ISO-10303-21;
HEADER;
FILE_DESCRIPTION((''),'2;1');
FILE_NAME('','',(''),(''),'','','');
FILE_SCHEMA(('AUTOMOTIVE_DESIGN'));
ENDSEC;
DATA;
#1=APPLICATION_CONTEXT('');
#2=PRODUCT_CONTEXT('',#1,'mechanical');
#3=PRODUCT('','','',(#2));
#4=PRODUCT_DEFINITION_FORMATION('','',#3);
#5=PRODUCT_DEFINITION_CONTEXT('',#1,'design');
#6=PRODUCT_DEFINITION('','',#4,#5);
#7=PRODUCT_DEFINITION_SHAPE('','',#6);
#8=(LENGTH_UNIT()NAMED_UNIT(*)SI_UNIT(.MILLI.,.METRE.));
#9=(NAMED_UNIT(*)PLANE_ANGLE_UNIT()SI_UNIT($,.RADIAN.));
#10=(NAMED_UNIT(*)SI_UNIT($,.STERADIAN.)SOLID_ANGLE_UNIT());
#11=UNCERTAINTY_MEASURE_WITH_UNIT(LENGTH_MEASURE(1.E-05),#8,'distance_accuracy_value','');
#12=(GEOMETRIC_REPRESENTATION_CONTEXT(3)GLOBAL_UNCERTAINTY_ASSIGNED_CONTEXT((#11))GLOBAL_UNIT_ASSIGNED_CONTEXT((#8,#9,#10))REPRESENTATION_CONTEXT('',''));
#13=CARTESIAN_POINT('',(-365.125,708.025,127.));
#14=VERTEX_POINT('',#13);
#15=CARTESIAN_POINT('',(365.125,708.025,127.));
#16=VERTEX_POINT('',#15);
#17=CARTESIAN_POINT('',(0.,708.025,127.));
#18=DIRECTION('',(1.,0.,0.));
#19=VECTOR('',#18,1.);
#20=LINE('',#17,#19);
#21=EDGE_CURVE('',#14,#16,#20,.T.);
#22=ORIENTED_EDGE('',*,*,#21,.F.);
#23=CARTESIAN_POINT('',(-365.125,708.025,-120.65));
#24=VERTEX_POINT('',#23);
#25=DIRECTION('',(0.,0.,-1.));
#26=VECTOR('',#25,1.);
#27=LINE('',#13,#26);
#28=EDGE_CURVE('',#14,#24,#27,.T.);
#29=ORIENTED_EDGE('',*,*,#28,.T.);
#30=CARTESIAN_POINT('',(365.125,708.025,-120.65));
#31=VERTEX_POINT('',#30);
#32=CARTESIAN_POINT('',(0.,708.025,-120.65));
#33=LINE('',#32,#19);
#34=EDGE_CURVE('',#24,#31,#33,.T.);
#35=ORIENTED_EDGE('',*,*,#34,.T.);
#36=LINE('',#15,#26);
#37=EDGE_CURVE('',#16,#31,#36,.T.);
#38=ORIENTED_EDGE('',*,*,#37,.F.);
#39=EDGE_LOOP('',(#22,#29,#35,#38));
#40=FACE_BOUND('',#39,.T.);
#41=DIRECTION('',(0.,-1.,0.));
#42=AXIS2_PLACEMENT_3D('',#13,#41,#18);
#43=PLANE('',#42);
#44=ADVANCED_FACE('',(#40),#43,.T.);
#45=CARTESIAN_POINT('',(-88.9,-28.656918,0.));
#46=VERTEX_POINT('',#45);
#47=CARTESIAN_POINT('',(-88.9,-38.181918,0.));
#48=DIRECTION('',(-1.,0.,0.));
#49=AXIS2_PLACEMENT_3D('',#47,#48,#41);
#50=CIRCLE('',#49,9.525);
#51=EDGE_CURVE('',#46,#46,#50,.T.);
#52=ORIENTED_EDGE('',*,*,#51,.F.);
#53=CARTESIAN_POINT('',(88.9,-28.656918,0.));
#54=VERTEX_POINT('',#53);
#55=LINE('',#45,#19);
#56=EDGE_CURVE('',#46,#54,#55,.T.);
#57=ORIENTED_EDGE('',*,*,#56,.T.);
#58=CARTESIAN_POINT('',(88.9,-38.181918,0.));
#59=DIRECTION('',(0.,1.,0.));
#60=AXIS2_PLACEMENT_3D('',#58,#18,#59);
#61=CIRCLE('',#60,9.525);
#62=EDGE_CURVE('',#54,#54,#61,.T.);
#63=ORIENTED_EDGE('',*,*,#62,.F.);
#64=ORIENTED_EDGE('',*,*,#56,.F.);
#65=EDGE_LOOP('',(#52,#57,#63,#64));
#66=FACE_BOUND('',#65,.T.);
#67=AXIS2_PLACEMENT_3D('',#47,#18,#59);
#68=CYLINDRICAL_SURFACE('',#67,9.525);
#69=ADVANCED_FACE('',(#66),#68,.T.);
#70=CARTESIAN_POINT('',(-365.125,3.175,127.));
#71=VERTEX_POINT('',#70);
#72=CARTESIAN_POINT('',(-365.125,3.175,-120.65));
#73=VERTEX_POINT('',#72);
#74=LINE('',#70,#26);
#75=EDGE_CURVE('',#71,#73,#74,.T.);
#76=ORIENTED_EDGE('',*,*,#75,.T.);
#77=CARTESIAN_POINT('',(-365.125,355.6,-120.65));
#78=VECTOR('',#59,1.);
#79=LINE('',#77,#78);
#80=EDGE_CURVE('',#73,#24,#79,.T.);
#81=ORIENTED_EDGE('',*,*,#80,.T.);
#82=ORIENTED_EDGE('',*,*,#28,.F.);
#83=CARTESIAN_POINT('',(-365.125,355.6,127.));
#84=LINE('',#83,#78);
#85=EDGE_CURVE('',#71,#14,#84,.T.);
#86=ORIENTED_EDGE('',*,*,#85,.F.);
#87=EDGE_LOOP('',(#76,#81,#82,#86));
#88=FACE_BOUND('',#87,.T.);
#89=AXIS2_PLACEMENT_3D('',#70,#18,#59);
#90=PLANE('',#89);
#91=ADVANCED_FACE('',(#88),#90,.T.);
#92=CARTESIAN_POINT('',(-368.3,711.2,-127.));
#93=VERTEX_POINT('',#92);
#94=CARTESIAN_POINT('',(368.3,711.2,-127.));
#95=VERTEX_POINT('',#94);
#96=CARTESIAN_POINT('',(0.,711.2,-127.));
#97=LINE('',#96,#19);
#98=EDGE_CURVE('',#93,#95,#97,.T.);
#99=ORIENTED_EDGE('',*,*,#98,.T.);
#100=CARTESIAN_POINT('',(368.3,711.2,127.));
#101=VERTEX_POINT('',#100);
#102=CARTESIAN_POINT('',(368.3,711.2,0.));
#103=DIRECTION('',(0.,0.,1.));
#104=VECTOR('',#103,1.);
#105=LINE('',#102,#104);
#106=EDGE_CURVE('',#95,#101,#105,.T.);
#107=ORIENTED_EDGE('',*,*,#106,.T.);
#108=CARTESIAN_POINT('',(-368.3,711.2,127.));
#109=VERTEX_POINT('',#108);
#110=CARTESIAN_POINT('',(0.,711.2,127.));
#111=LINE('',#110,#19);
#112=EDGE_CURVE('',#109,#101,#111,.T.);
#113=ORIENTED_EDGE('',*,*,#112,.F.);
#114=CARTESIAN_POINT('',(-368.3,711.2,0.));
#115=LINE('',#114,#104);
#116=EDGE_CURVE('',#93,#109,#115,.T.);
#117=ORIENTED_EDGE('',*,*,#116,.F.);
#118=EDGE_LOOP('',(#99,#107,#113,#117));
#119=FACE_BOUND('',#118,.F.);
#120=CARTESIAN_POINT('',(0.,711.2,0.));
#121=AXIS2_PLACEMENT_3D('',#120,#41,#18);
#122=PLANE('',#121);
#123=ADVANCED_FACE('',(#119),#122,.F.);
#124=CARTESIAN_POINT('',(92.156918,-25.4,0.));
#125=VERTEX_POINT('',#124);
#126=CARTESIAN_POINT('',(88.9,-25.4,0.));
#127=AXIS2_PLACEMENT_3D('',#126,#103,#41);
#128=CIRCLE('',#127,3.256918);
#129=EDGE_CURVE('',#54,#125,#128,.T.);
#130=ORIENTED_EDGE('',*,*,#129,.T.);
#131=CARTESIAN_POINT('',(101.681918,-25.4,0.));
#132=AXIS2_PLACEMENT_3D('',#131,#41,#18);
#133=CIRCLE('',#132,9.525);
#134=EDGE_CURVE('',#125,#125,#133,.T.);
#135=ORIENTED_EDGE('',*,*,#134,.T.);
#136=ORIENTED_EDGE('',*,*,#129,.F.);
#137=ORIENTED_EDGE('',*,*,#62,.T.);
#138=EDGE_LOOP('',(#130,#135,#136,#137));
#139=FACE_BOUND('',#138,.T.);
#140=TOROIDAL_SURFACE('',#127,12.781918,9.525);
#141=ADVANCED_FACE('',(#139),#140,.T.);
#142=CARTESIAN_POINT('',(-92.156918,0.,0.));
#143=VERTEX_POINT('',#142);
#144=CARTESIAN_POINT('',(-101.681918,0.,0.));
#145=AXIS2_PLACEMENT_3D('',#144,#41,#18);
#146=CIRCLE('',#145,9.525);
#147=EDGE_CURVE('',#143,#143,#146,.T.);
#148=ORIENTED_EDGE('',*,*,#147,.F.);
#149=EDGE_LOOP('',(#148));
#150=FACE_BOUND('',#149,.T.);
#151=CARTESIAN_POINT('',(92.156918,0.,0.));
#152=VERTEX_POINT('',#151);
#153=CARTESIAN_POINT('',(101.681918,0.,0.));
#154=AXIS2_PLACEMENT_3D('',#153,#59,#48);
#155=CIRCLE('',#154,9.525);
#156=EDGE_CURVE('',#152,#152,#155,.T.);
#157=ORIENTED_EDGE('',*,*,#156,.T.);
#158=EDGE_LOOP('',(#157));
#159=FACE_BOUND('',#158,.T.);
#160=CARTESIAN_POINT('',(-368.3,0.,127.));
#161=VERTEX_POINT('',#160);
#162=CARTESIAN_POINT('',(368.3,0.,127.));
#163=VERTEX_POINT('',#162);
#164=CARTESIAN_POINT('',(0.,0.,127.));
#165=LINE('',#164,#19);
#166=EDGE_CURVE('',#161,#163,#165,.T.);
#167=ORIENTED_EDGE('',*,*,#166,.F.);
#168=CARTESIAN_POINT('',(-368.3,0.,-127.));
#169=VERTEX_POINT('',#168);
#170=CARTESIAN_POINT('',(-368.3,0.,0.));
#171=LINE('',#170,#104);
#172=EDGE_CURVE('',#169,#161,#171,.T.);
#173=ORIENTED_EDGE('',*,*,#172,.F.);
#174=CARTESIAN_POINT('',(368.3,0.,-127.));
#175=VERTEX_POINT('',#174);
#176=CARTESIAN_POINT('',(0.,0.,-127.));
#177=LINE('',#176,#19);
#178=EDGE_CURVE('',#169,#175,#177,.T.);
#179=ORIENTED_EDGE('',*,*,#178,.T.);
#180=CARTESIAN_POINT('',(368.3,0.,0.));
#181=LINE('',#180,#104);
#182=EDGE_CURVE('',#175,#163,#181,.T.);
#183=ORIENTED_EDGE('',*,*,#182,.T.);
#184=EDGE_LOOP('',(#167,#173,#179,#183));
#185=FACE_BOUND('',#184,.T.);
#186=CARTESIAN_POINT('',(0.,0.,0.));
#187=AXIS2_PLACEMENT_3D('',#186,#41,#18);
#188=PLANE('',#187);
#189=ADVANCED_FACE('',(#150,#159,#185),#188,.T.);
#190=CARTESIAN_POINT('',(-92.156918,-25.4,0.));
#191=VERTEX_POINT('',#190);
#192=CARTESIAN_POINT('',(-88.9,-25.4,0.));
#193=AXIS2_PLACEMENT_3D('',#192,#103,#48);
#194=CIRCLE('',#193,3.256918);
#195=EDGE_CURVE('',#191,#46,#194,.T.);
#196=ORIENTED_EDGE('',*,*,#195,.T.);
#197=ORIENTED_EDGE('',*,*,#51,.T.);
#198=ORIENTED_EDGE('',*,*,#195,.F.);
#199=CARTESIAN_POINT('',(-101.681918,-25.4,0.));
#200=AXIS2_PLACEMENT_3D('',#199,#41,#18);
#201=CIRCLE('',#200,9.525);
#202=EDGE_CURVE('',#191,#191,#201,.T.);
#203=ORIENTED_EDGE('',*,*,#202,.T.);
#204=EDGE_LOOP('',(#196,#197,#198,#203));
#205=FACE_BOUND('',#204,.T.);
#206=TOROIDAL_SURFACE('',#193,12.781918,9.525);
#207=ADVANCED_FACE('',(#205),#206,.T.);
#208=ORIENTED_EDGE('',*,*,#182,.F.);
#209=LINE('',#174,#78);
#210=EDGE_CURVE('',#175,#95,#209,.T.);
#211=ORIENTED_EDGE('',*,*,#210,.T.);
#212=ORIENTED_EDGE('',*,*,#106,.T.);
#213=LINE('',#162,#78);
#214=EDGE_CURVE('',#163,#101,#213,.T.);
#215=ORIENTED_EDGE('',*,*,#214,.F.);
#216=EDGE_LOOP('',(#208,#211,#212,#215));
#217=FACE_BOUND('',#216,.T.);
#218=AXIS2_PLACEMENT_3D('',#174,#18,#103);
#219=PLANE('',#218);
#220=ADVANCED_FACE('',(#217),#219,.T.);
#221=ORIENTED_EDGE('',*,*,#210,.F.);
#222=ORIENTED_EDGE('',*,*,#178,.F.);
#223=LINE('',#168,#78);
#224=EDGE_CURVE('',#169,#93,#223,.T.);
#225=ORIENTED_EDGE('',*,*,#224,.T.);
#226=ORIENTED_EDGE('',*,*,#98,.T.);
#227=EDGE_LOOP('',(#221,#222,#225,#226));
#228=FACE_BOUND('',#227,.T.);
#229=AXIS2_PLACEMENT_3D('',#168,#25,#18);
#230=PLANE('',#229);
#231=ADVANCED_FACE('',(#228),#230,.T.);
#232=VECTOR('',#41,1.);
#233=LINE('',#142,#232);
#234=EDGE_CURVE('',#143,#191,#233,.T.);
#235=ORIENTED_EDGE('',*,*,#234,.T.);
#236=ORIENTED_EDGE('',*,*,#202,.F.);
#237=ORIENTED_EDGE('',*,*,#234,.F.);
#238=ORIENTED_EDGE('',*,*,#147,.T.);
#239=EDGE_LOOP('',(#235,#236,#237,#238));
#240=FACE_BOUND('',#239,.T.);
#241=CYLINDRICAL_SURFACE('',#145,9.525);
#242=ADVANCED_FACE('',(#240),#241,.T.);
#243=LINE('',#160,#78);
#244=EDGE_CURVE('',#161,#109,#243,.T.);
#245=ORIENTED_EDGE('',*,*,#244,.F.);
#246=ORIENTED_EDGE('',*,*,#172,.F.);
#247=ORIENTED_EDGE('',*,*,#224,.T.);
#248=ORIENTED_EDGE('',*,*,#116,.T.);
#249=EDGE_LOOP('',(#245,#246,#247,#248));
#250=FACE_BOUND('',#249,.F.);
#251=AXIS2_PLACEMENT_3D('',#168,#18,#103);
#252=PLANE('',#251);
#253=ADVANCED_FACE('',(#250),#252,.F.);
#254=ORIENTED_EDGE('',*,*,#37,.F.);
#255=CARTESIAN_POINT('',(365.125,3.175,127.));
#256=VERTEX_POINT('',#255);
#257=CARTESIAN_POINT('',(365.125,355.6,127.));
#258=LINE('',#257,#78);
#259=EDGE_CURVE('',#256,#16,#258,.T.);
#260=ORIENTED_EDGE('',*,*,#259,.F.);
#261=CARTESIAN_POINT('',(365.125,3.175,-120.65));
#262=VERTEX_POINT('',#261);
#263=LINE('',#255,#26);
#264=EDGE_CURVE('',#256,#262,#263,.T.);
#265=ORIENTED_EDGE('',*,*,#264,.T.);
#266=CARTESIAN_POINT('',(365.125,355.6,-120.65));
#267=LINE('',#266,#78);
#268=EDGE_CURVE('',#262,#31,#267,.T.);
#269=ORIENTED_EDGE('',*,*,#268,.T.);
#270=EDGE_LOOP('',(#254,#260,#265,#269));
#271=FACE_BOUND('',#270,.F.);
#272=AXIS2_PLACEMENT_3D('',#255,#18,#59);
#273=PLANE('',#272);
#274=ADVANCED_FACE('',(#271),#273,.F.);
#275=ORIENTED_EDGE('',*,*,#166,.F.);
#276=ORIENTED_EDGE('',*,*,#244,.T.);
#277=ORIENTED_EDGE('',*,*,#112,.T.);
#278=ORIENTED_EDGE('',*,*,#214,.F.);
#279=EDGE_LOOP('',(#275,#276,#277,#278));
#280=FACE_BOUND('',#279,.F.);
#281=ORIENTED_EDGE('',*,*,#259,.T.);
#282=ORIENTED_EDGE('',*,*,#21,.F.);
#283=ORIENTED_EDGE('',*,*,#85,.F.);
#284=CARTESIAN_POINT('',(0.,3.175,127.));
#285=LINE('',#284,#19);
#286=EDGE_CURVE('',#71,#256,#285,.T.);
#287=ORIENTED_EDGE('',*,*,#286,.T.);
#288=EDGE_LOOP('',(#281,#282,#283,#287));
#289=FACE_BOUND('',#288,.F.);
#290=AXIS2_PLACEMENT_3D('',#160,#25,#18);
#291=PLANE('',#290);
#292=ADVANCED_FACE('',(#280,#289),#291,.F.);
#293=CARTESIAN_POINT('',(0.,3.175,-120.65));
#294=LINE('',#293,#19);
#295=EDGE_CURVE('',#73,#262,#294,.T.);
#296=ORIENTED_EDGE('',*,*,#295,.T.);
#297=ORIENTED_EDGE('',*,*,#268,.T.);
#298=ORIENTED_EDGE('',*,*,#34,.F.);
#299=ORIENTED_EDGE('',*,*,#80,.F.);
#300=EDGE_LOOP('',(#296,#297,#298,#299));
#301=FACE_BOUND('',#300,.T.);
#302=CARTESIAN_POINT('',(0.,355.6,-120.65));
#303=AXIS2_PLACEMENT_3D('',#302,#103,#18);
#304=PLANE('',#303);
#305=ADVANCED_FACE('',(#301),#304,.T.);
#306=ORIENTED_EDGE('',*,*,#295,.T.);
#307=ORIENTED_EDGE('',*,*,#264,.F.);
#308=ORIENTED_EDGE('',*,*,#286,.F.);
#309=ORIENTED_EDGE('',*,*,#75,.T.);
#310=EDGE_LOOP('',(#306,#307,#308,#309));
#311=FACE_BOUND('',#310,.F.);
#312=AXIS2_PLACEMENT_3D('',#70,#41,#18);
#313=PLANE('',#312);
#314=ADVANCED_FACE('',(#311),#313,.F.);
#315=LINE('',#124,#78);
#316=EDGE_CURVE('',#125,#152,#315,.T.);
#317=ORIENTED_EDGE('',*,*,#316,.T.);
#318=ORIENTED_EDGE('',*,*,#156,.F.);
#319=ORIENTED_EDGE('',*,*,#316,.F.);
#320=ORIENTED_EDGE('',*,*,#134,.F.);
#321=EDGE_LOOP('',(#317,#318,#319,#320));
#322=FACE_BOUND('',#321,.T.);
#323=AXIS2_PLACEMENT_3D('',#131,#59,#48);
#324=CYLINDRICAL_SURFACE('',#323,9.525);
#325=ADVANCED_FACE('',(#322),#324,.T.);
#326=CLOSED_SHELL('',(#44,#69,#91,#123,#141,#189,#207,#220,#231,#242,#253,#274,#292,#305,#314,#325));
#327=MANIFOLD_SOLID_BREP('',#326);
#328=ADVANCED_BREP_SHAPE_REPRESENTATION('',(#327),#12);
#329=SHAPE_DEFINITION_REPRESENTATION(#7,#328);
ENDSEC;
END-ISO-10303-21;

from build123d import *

# Parameters (mm, degrees)
F0_W     = 736.6
F0_H     = 254
F1_DEPTH = 711.2
F2_W     = 730.25
F2_H     = 704.85
F3_DEPTH = 247.65
F5_R     = 9.525


with BuildPart() as f1:
    # F0 (on Front) → F1 (new body)
    with BuildSketch(Plane.XZ):
        Rectangle(F0_W, F0_H)
    extrude(amount=-F1_DEPTH)

    # F2 (on face) → F3 (cut)
    with BuildSketch(Plane.XY.offset(127)):
        with Locations((0, 355.6)):
            Rectangle(F2_W, F2_H)
    extrude(amount=-F3_DEPTH, mode=Mode.SUBTRACT)

    # F6: sweep along a path in F4
    with BuildLine(Plane.XY) as f6_path:
        Line((-101.6, 0), (-101.6, -25.4))
        ThreePointArc((-101.6, -25.4), (-97.8802561211, -34.3802561211), (-88.9, -38.1))
        Line((-88.9, -38.1), (88.9, -38.1))
        ThreePointArc((88.9, -38.1), (97.8802561211, -34.3802561211), (101.6, -25.4))
        Line((101.6, -25.4), (101.6, 0))
    # F5 (on face) → F6 (sweep)
    with BuildSketch(Plane.XZ):
        with Locations((-101.6819179058, 0)):
            Circle(F5_R)
    sweep(path=f6_path.line)


solid = f1.part
